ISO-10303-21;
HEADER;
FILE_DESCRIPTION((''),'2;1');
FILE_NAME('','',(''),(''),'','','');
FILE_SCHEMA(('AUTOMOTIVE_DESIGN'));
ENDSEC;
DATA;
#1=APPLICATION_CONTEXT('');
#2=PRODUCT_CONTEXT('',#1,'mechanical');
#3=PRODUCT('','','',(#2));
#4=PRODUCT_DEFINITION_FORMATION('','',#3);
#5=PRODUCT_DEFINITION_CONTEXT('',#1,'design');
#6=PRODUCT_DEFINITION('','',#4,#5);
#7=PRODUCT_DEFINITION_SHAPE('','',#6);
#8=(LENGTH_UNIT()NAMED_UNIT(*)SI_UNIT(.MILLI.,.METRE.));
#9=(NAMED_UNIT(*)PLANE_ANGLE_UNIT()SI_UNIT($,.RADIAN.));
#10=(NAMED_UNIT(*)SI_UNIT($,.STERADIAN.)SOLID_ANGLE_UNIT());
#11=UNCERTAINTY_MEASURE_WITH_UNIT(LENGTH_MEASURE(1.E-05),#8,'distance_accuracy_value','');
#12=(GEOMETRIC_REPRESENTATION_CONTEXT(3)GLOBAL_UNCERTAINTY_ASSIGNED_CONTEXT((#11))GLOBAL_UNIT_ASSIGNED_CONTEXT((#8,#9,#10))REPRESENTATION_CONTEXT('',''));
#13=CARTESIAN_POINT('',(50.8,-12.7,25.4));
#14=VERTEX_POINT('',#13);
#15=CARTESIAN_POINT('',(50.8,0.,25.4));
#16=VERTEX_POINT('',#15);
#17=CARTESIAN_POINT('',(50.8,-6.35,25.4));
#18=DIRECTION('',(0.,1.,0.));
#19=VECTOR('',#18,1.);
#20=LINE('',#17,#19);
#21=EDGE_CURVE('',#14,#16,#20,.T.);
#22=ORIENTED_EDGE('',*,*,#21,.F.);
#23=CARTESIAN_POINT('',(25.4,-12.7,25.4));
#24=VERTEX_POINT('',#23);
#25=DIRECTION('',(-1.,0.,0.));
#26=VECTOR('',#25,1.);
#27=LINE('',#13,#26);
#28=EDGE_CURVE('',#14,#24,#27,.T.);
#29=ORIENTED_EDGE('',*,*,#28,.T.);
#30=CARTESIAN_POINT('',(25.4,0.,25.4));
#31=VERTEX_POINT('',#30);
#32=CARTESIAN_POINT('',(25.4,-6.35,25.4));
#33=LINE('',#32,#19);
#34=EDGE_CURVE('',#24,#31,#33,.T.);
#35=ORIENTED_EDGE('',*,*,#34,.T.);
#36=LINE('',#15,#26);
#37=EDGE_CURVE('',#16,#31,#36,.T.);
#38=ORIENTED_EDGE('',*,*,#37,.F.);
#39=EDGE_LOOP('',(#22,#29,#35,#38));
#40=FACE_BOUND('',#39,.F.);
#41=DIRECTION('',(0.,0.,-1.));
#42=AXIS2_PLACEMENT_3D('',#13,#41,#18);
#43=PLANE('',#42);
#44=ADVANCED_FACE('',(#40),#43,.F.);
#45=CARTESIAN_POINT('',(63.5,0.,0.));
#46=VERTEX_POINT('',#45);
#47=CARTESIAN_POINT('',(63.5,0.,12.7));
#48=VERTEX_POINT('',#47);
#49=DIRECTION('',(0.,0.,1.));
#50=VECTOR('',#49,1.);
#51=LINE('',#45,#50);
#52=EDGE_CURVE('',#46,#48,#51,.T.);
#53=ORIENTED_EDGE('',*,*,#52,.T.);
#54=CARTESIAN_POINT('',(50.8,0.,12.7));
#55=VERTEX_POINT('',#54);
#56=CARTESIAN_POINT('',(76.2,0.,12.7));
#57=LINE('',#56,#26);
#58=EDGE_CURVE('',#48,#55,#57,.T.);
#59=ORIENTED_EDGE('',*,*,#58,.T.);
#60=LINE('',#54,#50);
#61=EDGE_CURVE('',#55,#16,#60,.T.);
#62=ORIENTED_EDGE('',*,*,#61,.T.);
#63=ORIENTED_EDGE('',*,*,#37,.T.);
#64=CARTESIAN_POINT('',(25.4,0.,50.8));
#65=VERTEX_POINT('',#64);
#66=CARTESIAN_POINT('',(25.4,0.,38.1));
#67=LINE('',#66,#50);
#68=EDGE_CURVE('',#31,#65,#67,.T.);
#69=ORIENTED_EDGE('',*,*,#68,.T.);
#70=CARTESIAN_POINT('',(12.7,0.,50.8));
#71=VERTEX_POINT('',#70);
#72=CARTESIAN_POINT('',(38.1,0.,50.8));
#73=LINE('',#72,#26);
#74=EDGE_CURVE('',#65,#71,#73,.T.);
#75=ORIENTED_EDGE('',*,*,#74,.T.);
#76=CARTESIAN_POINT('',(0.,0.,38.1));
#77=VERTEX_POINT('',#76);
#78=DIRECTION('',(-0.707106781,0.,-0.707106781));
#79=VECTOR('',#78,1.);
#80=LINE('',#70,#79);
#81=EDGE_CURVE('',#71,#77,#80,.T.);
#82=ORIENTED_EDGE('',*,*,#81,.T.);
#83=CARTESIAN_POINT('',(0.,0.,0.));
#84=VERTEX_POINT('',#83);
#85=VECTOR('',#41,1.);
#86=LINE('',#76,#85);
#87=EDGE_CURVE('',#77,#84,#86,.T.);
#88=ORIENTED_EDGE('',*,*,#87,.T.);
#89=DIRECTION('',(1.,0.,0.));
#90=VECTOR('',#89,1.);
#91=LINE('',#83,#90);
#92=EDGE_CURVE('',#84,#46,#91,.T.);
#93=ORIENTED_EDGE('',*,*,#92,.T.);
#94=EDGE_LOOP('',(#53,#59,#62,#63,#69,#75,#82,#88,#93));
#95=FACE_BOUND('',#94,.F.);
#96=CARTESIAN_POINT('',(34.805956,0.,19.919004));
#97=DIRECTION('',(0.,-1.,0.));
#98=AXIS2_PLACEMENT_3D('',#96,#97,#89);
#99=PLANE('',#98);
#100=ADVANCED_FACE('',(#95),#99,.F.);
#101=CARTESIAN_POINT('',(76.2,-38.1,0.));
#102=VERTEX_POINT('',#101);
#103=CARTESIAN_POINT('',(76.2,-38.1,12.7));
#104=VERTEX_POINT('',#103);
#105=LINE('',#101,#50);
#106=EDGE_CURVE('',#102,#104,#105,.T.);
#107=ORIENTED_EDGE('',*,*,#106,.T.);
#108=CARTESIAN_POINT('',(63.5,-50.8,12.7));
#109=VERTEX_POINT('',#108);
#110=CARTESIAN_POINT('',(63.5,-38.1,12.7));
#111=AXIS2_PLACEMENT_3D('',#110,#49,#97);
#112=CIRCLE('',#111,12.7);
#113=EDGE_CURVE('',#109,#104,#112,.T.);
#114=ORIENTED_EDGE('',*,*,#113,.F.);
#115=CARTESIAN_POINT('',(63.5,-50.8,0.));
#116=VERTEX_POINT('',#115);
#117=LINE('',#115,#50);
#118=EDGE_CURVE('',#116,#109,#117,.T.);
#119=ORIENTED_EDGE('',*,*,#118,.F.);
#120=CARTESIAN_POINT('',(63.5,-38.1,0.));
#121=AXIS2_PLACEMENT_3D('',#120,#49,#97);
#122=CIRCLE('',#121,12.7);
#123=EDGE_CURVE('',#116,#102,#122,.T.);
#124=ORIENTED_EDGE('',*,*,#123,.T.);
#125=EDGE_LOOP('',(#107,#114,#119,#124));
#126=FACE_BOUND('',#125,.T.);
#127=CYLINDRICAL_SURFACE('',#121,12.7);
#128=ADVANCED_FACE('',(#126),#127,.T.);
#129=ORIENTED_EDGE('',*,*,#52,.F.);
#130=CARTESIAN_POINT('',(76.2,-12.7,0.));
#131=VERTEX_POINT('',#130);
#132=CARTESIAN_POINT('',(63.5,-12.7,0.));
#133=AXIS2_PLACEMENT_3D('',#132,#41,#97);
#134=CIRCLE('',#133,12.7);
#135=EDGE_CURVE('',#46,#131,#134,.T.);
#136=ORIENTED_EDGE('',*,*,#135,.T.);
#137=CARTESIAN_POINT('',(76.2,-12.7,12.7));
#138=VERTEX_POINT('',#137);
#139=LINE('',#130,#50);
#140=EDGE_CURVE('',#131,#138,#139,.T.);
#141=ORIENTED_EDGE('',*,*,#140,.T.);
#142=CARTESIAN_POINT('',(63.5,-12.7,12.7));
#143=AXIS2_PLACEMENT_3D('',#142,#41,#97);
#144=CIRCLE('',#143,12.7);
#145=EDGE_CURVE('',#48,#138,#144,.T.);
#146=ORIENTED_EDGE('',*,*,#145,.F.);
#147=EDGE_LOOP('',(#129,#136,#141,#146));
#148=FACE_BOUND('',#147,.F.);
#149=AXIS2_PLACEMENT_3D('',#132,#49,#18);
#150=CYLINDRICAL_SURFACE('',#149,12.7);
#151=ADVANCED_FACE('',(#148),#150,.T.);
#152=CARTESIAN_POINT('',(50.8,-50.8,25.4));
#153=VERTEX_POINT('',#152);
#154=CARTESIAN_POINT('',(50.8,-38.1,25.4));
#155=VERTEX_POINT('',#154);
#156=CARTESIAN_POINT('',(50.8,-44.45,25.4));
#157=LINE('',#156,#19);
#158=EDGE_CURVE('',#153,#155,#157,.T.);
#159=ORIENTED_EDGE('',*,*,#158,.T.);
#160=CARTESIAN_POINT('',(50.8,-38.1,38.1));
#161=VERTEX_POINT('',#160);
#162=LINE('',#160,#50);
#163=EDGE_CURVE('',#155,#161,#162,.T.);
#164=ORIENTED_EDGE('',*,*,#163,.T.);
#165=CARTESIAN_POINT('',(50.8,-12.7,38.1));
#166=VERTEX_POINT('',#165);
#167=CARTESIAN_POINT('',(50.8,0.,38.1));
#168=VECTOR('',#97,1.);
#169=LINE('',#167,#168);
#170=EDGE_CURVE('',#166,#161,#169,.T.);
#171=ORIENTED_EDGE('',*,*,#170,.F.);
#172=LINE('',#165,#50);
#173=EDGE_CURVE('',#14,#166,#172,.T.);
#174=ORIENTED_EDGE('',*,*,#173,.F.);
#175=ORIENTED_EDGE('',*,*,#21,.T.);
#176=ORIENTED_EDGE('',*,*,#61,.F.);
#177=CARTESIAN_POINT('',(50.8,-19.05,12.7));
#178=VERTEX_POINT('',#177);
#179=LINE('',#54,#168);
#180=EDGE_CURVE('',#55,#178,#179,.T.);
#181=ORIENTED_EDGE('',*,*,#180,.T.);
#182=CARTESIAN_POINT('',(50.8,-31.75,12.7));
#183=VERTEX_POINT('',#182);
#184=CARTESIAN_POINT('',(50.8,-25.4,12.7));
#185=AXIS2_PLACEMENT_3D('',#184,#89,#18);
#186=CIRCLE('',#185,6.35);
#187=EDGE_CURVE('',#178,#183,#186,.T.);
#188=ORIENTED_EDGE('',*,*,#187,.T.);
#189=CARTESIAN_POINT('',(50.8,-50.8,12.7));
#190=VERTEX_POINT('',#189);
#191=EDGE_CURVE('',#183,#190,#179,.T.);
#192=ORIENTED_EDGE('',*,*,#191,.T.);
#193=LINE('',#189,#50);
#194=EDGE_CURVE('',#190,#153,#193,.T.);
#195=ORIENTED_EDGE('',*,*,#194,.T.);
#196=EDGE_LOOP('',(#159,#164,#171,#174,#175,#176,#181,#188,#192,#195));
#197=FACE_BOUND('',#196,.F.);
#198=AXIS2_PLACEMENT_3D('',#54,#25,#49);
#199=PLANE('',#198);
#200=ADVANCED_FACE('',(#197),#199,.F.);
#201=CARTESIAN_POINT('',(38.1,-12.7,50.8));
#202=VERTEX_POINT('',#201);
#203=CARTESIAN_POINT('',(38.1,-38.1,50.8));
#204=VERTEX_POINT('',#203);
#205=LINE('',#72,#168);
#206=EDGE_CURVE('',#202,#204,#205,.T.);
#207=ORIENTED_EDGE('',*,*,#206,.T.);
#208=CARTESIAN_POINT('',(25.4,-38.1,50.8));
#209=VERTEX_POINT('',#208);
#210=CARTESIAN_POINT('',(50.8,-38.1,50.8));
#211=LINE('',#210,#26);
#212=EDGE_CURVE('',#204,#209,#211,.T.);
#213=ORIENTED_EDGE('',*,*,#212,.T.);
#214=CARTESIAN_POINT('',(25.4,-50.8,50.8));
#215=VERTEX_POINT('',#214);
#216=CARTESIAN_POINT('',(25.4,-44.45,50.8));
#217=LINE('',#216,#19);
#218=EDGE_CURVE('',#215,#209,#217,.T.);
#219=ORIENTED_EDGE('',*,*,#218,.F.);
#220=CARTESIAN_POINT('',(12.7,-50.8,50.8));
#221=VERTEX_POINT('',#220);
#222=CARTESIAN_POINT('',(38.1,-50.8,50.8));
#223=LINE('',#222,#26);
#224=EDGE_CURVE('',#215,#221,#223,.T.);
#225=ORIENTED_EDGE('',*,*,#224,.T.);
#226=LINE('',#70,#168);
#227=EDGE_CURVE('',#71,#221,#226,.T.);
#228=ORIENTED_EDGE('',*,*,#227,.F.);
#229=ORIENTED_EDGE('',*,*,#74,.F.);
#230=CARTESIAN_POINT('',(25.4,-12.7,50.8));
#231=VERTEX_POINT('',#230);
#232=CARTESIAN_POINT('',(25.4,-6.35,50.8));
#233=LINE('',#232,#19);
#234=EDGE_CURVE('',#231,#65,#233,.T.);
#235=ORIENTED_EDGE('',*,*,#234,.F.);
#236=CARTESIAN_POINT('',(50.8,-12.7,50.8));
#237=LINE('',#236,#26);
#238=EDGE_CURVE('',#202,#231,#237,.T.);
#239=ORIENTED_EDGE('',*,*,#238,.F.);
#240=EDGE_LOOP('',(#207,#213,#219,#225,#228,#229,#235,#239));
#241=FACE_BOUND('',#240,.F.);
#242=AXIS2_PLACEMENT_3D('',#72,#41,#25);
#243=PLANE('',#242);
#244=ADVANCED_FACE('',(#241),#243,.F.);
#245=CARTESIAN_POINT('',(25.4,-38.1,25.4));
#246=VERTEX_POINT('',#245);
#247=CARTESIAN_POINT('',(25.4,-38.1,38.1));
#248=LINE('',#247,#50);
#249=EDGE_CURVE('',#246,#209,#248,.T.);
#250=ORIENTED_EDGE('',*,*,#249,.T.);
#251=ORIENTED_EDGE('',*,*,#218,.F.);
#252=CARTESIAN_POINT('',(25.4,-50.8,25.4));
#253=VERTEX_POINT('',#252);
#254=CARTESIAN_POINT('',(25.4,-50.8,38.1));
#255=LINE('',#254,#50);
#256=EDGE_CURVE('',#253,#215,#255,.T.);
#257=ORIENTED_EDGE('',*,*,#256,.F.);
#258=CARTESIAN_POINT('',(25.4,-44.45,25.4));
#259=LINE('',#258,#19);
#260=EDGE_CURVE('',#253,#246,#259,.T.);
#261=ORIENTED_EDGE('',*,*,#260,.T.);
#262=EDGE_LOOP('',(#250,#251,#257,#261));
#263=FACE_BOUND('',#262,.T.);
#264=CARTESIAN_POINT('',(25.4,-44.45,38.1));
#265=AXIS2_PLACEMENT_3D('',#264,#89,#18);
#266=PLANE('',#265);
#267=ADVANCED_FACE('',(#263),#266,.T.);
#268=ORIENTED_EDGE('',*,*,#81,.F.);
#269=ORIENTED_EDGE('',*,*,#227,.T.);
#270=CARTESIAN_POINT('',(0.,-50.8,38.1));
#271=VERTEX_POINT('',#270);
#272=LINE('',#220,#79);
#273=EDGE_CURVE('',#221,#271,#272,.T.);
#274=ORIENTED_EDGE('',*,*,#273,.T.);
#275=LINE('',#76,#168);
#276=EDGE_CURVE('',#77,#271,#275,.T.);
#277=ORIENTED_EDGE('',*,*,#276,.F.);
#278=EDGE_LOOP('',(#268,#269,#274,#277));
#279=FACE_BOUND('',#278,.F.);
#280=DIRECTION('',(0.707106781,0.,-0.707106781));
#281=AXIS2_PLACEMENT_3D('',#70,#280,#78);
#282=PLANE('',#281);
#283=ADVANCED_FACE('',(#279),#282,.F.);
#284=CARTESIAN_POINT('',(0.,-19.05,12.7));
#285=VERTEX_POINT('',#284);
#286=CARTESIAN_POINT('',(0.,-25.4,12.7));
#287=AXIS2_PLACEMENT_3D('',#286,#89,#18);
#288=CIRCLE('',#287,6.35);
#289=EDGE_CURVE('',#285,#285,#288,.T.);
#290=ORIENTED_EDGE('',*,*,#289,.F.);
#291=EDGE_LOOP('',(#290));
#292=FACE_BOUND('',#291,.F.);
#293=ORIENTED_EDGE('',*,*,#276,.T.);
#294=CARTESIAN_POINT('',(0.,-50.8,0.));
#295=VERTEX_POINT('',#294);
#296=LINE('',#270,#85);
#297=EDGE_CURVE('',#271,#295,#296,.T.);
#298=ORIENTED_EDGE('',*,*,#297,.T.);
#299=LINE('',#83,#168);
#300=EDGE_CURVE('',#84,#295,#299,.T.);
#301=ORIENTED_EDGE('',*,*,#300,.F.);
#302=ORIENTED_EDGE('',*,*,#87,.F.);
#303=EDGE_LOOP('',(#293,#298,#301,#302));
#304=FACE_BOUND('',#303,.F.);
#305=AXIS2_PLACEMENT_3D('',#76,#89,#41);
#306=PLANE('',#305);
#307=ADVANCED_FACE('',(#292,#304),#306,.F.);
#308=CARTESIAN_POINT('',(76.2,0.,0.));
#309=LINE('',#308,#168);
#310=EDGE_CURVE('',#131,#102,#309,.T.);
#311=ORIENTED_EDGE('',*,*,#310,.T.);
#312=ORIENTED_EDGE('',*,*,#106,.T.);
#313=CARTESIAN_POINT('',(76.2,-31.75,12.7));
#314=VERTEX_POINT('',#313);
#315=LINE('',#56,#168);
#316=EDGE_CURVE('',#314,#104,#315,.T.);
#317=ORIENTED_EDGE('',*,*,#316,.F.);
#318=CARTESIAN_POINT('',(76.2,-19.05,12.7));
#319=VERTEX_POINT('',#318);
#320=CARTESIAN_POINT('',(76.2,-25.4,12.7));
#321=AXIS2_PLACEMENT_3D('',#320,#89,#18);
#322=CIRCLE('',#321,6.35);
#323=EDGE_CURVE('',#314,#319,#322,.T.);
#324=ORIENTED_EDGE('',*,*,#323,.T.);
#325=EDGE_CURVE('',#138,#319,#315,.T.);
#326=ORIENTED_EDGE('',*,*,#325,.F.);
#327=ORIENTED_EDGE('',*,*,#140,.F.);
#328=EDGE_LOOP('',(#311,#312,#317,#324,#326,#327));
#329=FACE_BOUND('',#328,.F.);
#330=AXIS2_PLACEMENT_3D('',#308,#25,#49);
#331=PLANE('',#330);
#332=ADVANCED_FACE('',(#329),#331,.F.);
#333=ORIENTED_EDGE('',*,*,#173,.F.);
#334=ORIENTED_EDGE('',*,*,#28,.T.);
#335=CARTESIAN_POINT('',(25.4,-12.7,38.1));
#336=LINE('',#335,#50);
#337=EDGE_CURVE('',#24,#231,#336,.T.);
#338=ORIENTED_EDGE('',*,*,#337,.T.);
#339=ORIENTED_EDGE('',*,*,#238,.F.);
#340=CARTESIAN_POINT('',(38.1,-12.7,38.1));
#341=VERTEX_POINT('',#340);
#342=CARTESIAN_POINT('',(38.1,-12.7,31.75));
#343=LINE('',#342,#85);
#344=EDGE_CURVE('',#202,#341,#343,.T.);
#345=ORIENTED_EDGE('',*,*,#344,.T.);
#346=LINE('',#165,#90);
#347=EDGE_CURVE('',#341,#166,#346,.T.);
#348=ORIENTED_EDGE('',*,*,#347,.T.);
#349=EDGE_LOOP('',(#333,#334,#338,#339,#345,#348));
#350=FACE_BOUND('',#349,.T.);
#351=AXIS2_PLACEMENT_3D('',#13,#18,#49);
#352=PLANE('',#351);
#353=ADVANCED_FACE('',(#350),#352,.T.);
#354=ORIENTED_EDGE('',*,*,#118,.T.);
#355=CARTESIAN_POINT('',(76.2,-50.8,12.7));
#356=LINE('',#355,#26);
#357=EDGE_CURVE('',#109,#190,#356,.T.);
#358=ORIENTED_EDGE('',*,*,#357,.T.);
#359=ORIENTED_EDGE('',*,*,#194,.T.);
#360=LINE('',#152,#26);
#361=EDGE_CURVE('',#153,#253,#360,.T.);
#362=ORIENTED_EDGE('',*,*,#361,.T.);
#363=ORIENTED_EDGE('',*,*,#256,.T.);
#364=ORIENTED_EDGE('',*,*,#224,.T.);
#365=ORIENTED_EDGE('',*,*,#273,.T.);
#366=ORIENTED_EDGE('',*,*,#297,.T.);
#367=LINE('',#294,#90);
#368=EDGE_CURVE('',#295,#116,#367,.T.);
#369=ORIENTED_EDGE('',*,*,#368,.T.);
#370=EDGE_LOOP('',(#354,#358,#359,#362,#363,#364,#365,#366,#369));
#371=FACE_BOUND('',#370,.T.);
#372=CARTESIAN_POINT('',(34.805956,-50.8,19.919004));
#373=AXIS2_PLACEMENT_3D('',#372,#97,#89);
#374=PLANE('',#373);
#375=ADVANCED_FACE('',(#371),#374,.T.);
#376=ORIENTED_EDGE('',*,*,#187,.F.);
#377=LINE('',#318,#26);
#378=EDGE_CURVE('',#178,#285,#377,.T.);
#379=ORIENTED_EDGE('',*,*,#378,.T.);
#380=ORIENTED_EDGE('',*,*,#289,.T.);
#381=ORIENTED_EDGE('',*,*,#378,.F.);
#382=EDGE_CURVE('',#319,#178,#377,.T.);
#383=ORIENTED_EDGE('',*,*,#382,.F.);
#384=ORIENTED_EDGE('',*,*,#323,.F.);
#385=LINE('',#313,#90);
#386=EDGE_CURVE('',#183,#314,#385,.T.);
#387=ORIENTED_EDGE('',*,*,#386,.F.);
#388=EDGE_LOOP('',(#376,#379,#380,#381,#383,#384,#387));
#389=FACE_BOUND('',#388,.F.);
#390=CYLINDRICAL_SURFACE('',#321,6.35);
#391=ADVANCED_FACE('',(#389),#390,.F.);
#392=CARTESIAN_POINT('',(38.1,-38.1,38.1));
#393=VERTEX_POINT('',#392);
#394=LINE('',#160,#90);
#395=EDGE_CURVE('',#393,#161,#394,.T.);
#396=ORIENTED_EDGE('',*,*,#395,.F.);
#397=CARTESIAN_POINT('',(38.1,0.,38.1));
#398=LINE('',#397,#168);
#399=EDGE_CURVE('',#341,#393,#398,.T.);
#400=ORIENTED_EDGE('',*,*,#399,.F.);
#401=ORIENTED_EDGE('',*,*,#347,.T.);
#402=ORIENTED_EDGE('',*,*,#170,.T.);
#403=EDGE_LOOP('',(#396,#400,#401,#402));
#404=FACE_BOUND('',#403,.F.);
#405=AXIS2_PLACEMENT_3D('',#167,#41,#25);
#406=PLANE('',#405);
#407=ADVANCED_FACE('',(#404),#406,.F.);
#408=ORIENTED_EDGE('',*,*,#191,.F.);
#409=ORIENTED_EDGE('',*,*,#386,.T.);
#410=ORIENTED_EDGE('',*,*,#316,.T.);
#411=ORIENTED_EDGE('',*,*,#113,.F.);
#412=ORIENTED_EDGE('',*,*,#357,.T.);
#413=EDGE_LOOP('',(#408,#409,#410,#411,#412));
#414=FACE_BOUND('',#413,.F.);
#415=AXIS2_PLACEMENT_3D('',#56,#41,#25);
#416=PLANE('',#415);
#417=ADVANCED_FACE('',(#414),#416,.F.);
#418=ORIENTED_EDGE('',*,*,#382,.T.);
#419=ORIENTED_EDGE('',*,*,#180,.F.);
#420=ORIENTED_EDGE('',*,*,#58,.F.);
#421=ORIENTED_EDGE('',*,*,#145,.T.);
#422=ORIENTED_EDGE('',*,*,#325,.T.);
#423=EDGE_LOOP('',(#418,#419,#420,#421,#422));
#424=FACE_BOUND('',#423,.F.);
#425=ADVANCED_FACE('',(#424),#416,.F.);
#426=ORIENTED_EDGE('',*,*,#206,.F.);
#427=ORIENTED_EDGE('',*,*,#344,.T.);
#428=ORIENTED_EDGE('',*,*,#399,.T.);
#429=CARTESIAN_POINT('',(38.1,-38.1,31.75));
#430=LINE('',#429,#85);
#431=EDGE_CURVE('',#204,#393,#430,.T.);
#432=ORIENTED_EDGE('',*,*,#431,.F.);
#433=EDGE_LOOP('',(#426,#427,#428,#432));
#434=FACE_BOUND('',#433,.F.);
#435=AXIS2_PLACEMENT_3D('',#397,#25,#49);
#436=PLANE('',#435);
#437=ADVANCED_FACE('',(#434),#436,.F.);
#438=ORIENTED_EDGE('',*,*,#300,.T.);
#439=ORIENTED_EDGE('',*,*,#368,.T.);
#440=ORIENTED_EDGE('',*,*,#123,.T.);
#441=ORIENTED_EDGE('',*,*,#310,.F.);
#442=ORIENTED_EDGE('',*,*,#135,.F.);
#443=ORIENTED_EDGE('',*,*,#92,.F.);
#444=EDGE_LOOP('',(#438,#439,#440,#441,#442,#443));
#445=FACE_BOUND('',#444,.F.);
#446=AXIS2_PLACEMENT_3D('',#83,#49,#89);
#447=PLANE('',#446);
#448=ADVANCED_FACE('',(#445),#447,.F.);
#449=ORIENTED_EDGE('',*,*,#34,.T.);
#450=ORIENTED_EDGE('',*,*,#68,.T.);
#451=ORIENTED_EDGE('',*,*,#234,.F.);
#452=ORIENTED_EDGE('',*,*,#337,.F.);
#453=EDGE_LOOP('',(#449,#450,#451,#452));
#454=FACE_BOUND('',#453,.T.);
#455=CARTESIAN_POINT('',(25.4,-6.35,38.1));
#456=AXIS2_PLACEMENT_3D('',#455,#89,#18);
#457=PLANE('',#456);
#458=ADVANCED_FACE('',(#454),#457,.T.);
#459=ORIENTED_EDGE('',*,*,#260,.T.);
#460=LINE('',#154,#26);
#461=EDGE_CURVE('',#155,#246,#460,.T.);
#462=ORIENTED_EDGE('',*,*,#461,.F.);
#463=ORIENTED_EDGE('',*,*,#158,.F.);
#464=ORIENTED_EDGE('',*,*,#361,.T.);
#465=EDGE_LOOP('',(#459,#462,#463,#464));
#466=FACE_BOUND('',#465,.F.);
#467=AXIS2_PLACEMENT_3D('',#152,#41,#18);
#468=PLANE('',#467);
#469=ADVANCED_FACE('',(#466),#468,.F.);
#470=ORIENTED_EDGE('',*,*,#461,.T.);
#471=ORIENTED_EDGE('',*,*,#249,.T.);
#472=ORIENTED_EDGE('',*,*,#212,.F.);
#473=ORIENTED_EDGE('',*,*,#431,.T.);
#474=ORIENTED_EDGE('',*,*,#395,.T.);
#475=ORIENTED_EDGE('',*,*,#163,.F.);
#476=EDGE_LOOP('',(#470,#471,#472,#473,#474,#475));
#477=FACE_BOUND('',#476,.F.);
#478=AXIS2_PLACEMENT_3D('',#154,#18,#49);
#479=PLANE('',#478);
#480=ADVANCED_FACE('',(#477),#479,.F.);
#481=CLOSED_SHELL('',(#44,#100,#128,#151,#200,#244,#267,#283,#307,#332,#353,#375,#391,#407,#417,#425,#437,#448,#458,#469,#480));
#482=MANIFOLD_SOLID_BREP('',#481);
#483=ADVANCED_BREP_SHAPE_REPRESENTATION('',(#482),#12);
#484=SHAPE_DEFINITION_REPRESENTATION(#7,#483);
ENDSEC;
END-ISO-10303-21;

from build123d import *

# Parameters (mm, degrees)
F1_DEPTH = 50.8
F2_W     = 12.7
F2_H     = 25.4
F3_DEPTH = 25.4
F4_R     = 12.7
F5_R     = 6.35
F6_DEPTH = 76.2


with BuildPart() as f1:
    # F0 (on Front) → F1 (new body)
    with BuildSketch(Plane.XZ):
        Polygon((0, 38.1), (0, 0), (76.2, 0), (76.2, 12.7), (50.8, 12.7), (50.8, 38.1), (38.1, 38.1), (38.1, 50.8), (12.7, 50.8), align=None)
    extrude(amount=F1_DEPTH)

    # F2 (on face) → F3 (cut)
    with BuildSketch(Plane.YZ.offset(50.8)):
        with Locations((-44.45, 38.1)):
            Rectangle(F2_W, F2_H)
        with Locations((-6.35, 38.1)):
            Rectangle(F2_W, F2_H)
    extrude(amount=-F3_DEPTH, mode=Mode.SUBTRACT)

    # F4
    f4_edges = [f1.edges().sort_by_distance(p)[0] for p in [
        (76.2, 0, 6.35),
        (76.2, -50.8, 6.35),
    ]]
    fillet(f4_edges, radius=F4_R)

    # F5 (on face) → F6 (cut)
    with BuildSketch(Plane.YZ.offset(76.2)):
        with Locations((-25.4, 12.7)):
            Circle(F5_R)
    extrude(amount=-F6_DEPTH, mode=Mode.SUBTRACT)


solid = f1.part
